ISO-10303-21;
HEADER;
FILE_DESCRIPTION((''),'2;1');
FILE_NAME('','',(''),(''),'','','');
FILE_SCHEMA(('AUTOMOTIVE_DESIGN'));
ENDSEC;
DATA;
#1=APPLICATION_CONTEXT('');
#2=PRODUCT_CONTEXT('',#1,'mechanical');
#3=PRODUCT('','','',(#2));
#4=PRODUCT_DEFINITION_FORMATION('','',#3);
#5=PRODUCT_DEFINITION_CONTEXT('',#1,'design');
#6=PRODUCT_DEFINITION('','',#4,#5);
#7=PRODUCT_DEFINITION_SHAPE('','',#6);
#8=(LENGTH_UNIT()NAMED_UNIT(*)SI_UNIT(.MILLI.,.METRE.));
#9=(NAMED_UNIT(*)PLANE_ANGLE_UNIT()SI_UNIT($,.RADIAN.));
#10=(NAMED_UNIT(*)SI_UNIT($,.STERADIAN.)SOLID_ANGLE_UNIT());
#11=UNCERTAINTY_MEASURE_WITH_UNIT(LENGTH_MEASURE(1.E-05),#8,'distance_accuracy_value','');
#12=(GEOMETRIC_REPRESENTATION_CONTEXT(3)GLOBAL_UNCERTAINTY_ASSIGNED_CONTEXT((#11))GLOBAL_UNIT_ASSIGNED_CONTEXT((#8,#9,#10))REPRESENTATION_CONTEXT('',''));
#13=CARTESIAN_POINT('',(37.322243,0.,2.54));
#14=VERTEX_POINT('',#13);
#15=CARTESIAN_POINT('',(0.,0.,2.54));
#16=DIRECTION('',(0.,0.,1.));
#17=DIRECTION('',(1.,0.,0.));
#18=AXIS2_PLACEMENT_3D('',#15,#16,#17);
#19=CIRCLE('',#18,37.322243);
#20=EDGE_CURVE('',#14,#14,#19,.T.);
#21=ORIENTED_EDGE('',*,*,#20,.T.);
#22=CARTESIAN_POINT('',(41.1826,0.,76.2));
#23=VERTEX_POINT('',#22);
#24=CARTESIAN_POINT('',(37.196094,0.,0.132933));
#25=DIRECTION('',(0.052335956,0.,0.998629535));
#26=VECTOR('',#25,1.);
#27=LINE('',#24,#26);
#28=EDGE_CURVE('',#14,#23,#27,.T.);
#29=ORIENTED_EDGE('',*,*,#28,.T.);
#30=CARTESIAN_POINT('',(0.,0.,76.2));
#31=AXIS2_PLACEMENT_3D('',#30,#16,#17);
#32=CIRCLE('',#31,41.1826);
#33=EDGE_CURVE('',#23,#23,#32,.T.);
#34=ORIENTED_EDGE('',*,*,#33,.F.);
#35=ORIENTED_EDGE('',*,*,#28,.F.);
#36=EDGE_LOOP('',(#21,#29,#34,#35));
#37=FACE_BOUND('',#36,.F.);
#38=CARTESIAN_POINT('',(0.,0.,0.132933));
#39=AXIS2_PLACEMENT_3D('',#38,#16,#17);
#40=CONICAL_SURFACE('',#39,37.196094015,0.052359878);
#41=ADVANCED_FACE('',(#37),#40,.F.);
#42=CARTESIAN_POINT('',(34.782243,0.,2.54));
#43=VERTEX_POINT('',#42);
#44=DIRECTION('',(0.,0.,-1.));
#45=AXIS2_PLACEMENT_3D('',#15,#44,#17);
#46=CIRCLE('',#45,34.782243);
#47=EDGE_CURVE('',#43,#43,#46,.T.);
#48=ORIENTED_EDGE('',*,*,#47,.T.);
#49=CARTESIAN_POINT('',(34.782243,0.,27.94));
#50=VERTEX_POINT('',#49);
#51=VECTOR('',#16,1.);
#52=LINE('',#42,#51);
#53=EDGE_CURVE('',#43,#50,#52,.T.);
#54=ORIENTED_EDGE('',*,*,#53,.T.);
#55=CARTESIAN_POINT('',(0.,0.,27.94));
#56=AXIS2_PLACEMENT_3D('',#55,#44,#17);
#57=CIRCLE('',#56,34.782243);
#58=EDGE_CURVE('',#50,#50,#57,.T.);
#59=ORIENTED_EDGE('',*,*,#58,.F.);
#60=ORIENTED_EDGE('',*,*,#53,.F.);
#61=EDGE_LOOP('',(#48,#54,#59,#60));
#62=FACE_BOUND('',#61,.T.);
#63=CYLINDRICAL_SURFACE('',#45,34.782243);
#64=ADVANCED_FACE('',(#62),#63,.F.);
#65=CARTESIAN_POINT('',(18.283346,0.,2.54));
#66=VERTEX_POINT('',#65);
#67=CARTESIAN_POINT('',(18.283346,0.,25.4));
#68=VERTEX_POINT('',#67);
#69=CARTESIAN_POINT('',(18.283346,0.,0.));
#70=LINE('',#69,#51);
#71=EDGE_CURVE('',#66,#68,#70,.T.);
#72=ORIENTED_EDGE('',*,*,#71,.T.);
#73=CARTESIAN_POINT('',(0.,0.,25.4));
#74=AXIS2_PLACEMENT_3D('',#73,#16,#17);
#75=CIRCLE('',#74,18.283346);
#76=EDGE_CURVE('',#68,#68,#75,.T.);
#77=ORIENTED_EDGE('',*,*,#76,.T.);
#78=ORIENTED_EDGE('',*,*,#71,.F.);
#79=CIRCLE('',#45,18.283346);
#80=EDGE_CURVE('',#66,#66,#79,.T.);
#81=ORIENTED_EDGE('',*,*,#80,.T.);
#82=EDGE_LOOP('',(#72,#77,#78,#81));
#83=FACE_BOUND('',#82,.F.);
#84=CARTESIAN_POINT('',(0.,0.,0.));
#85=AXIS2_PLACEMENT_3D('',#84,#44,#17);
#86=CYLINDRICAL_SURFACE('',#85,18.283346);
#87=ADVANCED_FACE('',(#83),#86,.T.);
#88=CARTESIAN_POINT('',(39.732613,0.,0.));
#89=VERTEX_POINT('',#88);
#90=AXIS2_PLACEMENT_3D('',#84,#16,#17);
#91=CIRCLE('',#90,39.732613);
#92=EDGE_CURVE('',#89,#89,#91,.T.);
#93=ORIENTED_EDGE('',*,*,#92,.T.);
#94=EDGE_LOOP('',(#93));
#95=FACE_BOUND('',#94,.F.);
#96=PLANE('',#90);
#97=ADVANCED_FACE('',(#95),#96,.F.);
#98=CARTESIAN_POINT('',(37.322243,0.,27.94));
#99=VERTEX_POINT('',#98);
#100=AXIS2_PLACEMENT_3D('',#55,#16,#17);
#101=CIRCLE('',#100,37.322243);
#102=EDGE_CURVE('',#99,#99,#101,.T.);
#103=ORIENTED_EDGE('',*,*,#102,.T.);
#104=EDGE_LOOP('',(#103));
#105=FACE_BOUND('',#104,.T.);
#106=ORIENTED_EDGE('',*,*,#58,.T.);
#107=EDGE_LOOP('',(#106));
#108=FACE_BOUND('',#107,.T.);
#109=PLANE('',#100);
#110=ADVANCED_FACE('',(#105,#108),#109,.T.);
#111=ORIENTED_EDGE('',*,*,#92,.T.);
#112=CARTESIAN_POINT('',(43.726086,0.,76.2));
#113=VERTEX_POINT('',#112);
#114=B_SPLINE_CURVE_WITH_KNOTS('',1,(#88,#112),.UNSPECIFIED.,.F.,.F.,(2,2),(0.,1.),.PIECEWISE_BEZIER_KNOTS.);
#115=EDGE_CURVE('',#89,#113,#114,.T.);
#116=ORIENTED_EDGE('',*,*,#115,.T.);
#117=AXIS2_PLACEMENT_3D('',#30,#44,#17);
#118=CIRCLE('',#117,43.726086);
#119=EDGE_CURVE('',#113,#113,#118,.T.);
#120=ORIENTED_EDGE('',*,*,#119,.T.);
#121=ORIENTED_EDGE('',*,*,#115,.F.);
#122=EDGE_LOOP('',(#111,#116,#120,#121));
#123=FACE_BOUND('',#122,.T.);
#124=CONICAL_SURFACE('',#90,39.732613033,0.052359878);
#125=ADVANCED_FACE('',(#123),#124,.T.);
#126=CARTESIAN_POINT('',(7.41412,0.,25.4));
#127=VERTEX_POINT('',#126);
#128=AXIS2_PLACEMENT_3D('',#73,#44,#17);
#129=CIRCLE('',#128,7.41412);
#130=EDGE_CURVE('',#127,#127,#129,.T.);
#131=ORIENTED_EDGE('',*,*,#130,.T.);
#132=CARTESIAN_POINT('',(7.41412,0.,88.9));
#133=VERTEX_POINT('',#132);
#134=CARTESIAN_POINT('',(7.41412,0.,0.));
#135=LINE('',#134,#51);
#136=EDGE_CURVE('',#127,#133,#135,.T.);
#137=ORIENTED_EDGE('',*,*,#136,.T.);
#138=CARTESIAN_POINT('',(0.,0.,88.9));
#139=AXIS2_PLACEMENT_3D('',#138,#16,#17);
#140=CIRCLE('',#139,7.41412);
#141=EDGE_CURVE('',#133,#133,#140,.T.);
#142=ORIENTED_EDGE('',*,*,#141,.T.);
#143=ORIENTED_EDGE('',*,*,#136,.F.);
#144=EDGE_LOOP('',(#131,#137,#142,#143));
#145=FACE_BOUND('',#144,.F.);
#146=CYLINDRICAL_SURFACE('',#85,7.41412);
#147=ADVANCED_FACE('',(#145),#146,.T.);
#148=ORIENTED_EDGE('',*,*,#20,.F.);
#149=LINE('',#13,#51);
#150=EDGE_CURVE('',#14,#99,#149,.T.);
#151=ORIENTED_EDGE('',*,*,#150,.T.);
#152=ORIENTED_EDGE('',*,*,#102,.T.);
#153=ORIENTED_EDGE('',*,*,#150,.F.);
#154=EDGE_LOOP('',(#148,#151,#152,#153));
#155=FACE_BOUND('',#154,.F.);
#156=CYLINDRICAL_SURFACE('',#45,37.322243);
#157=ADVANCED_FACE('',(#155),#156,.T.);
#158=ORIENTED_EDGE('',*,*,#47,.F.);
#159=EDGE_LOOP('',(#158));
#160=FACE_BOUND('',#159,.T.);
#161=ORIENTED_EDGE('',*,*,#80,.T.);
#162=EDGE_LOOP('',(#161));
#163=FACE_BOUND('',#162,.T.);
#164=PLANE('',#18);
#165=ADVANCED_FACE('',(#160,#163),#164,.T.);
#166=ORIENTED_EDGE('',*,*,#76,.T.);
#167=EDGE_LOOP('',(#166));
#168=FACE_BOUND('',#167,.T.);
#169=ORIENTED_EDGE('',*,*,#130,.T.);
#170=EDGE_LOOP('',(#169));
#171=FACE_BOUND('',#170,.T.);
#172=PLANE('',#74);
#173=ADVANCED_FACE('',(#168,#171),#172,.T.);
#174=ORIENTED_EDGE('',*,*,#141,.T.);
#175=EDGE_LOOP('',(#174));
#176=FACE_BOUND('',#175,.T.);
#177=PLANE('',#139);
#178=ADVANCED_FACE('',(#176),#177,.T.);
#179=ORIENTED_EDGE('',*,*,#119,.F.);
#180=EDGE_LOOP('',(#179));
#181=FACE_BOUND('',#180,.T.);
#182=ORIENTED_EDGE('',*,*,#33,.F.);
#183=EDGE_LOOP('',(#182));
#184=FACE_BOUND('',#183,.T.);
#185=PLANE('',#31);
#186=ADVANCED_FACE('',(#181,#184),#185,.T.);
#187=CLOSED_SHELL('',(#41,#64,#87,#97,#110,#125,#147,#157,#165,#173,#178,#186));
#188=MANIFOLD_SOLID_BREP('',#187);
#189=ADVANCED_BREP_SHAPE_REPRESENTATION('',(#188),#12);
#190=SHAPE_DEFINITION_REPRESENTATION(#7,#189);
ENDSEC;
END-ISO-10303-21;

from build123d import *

# Parameters (mm, degrees)
F0_R     = 39.7326130333
F1_DEPTH = 76.2
F1_TAPER = -3
F2_T     = -2.54
F3_DEPTH = 25.4
F4_T     = -2.54
F5_R     = 18.2833455915
F6_DEPTH = 25.4
F7_R     = 7.4141197659
F8_DEPTH = 88.9


with BuildPart() as f1:
    # F0 (on Top) → F1 (new body)
    with BuildSketch(Plane.XY):
        Circle(F0_R)
    extrude(amount=F1_DEPTH, taper=F1_TAPER)

    # F2
    f2_openings = [f1.faces().sort_by_distance(p)[0] for p in [
        (0, 0, 76.2),
    ]]
    offset(amount=F2_T, openings=f2_openings, kind=Kind.INTERSECTION)

    # F3 (add): a face of the model
    f3_faces = [f1.faces().sort_by_distance(p)[0] for p in [
        (0, 0, 2.54),
    ]]
    extrude(f3_faces, amount=F3_DEPTH)

    # F4
    f4_openings = [f1.faces().sort_by_distance(p)[0] for p in [
        (0, 0, 27.94),
    ]]
    offset(amount=F4_T, openings=f4_openings, kind=Kind.INTERSECTION)

    # F5 (on Top) → F6 (join)
    with BuildSketch(Plane.XY):
        Circle(F5_R)
    extrude(amount=F6_DEPTH)

    # F7 (on Top) → F8 (join)
    with BuildSketch(Plane.XY):
        Circle(F7_R)
    extrude(amount=F8_DEPTH)


solid = f1.part
